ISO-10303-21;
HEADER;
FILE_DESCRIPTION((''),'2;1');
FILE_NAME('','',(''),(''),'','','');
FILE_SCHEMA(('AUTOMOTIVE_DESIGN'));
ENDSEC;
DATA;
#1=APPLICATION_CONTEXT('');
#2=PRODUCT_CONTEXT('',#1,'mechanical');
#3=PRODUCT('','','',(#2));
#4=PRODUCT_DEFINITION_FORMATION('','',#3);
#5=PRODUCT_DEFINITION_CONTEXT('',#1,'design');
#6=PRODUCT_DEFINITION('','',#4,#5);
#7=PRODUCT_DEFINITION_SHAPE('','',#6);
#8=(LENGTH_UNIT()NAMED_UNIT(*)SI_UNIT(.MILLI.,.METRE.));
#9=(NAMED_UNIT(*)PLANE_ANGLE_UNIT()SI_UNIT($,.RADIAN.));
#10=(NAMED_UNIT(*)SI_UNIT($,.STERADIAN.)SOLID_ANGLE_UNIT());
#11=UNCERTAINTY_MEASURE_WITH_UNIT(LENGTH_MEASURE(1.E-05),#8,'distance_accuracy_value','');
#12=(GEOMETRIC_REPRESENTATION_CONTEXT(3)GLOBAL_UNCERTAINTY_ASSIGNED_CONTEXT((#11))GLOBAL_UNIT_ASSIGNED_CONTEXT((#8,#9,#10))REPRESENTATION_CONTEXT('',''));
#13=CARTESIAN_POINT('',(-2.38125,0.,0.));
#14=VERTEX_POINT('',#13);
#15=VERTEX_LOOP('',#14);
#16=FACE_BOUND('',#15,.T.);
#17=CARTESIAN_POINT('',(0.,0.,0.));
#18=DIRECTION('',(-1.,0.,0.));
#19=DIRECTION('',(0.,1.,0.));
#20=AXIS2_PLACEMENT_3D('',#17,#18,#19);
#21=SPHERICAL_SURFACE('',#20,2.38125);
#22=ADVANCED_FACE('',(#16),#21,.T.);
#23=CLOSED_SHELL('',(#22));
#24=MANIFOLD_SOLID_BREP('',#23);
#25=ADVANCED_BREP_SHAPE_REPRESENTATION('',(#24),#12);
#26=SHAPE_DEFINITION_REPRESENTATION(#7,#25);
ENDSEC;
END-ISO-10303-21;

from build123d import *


with BuildPart() as part:
    # Sketch1 → Revolve1 (revolve)
    with BuildSketch(Plane.XY):
        with BuildLine():
            Line((-2.38125, 0), (2.38125, 0))
            ThreePointArc((2.38125, 0), (0, 2.38125), (-2.38125, 0))
        make_face()
    revolve(axis=Axis((0, 0, 0), (-1, 0, 0)))


solid = part.part
